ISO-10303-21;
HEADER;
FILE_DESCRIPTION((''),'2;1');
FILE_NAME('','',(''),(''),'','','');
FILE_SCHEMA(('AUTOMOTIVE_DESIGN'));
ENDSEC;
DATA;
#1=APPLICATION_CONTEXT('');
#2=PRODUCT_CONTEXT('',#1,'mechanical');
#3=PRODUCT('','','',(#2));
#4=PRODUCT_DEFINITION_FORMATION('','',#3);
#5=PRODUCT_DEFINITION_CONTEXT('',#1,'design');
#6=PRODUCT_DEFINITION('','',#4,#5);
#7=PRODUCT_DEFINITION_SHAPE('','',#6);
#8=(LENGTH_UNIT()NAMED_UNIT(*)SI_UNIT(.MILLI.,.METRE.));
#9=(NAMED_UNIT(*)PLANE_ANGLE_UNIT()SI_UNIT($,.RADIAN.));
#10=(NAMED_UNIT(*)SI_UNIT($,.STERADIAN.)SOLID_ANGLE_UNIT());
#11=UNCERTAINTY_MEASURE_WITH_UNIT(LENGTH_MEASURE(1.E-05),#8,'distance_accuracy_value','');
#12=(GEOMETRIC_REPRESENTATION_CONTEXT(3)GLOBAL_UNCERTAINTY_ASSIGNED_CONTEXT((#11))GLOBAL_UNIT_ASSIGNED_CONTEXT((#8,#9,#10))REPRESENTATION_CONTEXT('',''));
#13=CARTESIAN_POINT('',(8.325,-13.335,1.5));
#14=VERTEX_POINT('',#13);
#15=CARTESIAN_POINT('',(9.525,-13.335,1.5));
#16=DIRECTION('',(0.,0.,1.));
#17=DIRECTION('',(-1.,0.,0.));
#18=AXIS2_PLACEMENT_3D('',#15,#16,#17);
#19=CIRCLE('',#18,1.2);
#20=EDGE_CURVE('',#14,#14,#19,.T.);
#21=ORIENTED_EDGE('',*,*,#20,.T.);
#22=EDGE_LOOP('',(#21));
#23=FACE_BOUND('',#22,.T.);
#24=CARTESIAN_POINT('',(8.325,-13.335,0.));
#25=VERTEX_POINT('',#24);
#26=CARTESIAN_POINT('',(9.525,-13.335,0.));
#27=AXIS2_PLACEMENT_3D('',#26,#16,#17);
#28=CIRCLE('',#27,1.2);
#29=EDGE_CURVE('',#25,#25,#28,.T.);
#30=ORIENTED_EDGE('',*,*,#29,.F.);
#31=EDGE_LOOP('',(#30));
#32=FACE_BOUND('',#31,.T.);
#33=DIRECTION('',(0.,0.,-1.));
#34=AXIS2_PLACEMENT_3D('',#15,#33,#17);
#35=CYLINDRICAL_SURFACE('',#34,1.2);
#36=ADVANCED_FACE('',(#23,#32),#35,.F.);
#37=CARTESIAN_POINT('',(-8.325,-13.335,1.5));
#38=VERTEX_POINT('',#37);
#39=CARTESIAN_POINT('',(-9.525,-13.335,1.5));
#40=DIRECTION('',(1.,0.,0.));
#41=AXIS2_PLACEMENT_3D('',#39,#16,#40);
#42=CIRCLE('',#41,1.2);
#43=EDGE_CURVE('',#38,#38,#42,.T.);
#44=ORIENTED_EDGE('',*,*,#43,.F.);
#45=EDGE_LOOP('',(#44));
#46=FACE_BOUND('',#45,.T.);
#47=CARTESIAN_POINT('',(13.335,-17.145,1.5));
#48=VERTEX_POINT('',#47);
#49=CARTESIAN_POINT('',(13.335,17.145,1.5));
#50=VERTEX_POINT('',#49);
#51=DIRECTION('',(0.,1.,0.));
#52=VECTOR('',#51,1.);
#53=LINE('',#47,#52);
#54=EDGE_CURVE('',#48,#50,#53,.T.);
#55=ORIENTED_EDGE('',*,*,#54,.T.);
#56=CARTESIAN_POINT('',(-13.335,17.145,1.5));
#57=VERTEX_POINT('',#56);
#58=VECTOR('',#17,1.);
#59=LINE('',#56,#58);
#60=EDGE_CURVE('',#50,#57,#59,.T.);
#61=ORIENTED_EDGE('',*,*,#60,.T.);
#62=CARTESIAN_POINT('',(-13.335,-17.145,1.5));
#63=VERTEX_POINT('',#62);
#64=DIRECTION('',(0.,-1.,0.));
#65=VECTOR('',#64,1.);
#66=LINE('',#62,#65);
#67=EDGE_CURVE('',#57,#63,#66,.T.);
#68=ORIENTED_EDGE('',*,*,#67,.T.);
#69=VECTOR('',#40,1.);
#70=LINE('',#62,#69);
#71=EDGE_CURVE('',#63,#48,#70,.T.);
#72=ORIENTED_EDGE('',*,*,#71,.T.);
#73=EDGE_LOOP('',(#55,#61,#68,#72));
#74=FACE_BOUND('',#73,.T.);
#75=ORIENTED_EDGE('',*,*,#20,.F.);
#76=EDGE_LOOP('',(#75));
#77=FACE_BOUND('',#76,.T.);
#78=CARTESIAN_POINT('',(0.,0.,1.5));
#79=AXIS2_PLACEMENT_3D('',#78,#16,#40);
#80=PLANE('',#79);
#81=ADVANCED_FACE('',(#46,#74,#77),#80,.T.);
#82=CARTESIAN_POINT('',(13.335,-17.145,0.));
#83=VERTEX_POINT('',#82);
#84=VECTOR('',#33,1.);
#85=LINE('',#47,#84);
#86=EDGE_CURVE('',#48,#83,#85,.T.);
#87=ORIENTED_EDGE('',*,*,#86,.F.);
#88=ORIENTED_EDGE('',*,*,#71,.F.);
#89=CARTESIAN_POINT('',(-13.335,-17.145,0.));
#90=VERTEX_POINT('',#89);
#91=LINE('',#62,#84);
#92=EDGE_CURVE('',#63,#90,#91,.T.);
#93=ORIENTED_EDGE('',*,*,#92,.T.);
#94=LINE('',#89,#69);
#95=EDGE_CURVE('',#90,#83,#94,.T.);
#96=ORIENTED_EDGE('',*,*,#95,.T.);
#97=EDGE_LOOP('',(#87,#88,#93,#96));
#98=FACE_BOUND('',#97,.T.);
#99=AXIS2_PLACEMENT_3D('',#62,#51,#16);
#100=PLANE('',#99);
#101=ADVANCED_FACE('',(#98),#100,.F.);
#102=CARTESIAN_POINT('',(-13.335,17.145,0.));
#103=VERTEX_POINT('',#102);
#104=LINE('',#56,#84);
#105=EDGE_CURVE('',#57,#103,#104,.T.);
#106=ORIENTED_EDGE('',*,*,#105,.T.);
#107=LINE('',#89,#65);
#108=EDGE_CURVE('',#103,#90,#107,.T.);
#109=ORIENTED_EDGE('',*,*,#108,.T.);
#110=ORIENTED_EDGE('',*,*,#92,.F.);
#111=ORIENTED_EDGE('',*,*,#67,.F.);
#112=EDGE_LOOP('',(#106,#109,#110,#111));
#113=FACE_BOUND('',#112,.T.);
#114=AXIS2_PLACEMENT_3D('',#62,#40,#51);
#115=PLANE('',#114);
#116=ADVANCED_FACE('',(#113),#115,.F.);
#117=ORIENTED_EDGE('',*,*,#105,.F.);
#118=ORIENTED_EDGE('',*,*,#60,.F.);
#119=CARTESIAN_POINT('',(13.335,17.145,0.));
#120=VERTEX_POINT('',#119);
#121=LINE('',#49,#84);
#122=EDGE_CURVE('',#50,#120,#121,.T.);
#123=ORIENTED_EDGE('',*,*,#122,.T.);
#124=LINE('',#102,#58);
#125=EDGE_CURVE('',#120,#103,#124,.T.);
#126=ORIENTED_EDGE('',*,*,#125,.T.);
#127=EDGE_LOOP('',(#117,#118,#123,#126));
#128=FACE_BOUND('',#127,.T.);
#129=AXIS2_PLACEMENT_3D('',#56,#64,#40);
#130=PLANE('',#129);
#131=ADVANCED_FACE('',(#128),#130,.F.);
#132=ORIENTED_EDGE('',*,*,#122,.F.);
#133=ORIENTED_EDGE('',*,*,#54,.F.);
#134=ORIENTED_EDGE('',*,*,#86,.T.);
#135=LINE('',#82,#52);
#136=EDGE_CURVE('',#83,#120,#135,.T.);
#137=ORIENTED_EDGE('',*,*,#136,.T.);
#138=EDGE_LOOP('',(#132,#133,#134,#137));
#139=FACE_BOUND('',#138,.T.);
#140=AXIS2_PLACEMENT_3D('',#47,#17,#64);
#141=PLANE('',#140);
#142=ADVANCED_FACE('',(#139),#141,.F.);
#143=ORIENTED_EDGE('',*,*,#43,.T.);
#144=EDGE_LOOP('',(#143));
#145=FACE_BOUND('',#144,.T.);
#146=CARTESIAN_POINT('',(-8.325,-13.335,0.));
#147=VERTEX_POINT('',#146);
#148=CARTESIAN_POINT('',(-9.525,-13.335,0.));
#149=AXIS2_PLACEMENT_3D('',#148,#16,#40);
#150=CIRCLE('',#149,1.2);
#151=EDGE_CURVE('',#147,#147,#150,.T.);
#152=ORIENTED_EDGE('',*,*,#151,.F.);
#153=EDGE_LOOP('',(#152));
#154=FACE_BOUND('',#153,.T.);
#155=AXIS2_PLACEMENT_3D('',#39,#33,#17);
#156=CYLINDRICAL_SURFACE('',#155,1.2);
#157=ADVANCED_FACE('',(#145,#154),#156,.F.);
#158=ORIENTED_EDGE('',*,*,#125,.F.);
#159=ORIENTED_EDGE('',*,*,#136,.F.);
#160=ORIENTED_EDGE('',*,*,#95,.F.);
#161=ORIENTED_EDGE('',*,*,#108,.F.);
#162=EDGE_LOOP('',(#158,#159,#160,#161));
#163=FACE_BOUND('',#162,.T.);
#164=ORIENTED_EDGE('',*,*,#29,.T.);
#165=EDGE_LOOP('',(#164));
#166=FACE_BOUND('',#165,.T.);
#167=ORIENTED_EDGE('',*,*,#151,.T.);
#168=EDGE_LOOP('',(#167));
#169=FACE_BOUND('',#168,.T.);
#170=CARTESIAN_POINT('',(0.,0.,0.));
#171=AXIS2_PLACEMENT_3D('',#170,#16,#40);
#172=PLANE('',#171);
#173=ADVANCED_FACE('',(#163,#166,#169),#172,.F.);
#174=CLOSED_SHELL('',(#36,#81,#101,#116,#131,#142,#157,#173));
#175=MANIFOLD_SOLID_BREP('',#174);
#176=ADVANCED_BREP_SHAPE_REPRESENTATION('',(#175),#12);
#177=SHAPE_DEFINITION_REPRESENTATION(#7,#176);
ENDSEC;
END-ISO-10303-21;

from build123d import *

# Parameters (mm, degrees)
SKETCH1_W           = 34.29
SKETCH1_H           = 26.67
SKETCH1_R           = 1.2
BOSS_EXTRUDE1_DEPTH = 1.5


with BuildPart() as part:
    # Sketch1 → Boss-Extrude1 (new body)
    with BuildSketch(Plane(origin=(0, 0, 0), x_dir=(0, 1, 0), z_dir=(0, 0, 1))):
        Rectangle(SKETCH1_W, SKETCH1_H)
        with Locations(Location((-13.335, 9.525, 0), (0, 0, 270))):
            Circle(SKETCH1_R, mode=Mode.SUBTRACT)
        with Locations(Location((-13.335, -9.525, 0), (0, 0, 90))):
            Circle(SKETCH1_R, mode=Mode.SUBTRACT)
    extrude(amount=BOSS_EXTRUDE1_DEPTH)


solid = part.part
